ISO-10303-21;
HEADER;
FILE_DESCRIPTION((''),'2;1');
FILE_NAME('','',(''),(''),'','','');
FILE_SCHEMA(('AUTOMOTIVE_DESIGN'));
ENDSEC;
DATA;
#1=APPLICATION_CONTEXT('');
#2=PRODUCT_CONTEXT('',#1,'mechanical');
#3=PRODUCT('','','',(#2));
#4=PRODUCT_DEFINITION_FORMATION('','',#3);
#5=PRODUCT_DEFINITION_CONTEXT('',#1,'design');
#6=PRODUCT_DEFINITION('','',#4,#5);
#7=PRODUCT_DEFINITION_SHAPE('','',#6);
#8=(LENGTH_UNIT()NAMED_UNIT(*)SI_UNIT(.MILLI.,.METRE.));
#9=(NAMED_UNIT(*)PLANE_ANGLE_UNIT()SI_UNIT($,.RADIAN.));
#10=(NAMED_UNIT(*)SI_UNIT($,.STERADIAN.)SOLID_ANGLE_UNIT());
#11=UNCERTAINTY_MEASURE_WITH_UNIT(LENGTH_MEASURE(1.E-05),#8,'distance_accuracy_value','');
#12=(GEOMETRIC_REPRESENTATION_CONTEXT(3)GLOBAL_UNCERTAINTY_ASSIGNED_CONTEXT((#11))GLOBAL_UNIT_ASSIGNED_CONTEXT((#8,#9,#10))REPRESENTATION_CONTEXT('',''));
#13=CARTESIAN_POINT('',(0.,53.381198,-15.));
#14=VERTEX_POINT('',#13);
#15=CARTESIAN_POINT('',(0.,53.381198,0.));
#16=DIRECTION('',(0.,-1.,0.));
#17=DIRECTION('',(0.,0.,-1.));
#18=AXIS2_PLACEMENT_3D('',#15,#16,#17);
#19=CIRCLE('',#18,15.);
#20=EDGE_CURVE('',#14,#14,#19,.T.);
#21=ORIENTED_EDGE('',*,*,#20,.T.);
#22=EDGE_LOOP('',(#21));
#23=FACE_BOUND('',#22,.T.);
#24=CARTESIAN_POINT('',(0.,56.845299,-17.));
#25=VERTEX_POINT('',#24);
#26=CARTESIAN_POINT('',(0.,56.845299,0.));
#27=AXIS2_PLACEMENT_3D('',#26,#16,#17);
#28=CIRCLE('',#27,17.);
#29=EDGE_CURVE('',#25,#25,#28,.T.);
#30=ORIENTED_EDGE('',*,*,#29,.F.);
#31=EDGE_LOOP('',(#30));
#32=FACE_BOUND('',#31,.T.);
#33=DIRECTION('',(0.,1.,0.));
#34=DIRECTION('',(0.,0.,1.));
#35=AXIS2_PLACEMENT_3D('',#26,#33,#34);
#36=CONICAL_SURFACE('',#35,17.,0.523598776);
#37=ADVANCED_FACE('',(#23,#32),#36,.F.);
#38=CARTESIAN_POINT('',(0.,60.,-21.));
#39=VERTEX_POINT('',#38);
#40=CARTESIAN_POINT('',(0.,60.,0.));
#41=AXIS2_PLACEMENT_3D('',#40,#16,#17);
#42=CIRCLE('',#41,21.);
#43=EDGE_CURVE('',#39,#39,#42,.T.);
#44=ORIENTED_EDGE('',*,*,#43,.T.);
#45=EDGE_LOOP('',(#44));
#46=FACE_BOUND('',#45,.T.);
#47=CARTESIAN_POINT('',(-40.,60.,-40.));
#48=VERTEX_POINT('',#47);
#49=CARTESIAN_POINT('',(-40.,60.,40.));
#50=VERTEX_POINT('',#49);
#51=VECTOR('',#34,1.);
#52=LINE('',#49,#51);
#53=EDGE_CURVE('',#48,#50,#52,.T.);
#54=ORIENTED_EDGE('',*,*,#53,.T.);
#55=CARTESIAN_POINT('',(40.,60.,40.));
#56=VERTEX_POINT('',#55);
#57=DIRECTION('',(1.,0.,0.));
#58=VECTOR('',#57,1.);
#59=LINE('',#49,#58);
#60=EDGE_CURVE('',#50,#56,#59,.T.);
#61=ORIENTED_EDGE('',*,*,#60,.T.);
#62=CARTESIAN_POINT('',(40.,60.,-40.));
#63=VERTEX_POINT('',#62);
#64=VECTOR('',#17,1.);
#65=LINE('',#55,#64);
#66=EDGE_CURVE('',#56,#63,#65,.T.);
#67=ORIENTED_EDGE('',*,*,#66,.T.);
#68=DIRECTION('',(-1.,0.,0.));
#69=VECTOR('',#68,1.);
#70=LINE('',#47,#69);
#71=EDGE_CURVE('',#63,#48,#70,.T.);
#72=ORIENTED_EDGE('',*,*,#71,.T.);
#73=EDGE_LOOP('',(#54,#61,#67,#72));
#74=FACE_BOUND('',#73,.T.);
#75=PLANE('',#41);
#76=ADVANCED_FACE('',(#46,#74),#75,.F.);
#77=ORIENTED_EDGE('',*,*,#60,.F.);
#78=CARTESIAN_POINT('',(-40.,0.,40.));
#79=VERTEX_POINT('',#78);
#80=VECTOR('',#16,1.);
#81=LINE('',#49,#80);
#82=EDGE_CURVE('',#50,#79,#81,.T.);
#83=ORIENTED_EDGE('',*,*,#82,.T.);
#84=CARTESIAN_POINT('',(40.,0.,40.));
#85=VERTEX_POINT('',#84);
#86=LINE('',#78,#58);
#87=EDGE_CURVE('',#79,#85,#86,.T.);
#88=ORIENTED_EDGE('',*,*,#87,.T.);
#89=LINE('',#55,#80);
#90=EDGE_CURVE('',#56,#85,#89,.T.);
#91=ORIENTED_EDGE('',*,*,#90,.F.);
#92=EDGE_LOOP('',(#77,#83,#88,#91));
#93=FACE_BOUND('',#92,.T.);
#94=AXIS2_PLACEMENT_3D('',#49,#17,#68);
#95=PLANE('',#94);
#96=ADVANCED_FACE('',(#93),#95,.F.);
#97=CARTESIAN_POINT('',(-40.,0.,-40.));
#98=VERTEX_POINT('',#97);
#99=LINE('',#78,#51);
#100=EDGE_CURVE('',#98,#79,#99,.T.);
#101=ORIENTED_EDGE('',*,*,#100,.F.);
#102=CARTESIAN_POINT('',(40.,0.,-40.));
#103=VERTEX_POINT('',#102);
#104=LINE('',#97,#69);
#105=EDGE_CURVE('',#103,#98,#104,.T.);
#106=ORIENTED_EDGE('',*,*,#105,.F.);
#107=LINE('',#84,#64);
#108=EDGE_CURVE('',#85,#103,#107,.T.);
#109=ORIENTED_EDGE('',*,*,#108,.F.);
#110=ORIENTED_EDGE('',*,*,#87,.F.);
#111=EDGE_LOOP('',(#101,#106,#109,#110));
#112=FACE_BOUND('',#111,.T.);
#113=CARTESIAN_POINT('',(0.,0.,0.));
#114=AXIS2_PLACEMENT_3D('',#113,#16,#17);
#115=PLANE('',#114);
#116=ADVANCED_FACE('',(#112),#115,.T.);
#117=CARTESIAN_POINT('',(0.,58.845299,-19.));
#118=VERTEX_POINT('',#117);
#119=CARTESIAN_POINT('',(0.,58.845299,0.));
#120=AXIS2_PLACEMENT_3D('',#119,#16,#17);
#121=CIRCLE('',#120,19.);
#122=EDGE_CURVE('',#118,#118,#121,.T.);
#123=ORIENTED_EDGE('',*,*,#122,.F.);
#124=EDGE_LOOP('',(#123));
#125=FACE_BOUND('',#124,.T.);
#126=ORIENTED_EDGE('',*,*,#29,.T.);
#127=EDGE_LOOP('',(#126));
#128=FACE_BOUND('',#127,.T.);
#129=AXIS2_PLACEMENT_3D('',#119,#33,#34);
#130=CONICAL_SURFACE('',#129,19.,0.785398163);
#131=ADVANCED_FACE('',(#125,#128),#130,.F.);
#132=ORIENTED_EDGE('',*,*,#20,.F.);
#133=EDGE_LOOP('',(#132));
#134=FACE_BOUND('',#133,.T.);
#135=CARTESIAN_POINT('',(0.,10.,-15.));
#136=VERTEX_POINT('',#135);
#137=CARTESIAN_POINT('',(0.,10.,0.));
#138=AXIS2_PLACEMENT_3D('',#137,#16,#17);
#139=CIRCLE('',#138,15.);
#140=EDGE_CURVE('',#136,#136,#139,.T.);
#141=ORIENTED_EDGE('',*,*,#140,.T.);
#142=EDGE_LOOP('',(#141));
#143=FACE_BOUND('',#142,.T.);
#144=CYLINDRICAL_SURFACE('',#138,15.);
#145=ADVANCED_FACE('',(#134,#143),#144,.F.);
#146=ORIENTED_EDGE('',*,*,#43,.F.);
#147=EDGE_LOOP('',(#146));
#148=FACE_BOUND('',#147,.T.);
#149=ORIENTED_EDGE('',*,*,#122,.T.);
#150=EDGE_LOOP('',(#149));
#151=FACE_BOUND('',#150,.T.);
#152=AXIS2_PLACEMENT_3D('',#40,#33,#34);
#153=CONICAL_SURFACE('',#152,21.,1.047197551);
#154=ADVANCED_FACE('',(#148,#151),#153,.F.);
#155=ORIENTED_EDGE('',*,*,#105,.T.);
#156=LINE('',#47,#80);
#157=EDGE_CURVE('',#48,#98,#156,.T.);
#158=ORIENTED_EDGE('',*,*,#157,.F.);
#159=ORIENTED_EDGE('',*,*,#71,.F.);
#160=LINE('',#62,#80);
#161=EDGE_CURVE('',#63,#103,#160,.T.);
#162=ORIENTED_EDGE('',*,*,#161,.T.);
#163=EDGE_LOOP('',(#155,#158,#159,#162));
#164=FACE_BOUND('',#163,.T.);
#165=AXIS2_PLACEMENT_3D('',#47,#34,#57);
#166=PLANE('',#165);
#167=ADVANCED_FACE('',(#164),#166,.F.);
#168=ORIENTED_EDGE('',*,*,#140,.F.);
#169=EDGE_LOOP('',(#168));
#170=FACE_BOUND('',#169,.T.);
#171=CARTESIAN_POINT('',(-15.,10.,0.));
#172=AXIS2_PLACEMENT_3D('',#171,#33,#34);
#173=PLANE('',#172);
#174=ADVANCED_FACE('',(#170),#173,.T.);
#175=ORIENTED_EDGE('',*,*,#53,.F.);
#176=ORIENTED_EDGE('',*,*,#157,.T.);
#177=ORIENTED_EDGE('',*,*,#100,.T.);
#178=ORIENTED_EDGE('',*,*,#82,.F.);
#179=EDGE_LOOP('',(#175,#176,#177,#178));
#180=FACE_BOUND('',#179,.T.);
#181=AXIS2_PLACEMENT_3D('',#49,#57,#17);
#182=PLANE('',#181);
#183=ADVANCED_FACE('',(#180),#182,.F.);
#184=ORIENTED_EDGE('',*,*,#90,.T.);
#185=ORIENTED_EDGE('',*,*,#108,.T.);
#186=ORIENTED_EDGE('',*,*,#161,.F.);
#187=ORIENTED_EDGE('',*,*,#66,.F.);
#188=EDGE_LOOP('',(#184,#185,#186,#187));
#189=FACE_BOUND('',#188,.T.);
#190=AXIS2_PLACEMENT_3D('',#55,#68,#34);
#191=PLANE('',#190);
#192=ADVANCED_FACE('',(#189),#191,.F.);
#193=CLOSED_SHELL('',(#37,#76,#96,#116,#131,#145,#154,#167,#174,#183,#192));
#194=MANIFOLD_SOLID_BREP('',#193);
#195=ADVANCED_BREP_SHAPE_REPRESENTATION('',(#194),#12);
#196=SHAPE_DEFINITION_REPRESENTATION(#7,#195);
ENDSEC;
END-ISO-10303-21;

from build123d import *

# Parameters (mm, degrees)
SKETCH1_W           = 80
SKETCH1_H           = 80
BOSS_EXTRUDE1_DEPTH = 60


with BuildPart() as part:
    # Sketch1 → Boss-Extrude1 (new body)
    with BuildSketch(Plane(origin=(0, 0, 0), x_dir=(1, 0, 0), z_dir=(0, 1, 0))):
        Rectangle(SKETCH1_W, SKETCH1_H)
    extrude(amount=BOSS_EXTRUDE1_DEPTH)

    # Sketch2 → Cut-Revolve1 (revolve, cut)
    with BuildSketch(Plane.XY):
        Polygon((0, 60), (-21, 60), (-19, 58.845299462), (-17, 56.845299462), (-15, 53.381197846), (-15, 10), (0, 10), align=None)
    revolve(axis=Axis((0, 10, 0), (0, 1, 0)), mode=Mode.SUBTRACT)


solid = part.part
